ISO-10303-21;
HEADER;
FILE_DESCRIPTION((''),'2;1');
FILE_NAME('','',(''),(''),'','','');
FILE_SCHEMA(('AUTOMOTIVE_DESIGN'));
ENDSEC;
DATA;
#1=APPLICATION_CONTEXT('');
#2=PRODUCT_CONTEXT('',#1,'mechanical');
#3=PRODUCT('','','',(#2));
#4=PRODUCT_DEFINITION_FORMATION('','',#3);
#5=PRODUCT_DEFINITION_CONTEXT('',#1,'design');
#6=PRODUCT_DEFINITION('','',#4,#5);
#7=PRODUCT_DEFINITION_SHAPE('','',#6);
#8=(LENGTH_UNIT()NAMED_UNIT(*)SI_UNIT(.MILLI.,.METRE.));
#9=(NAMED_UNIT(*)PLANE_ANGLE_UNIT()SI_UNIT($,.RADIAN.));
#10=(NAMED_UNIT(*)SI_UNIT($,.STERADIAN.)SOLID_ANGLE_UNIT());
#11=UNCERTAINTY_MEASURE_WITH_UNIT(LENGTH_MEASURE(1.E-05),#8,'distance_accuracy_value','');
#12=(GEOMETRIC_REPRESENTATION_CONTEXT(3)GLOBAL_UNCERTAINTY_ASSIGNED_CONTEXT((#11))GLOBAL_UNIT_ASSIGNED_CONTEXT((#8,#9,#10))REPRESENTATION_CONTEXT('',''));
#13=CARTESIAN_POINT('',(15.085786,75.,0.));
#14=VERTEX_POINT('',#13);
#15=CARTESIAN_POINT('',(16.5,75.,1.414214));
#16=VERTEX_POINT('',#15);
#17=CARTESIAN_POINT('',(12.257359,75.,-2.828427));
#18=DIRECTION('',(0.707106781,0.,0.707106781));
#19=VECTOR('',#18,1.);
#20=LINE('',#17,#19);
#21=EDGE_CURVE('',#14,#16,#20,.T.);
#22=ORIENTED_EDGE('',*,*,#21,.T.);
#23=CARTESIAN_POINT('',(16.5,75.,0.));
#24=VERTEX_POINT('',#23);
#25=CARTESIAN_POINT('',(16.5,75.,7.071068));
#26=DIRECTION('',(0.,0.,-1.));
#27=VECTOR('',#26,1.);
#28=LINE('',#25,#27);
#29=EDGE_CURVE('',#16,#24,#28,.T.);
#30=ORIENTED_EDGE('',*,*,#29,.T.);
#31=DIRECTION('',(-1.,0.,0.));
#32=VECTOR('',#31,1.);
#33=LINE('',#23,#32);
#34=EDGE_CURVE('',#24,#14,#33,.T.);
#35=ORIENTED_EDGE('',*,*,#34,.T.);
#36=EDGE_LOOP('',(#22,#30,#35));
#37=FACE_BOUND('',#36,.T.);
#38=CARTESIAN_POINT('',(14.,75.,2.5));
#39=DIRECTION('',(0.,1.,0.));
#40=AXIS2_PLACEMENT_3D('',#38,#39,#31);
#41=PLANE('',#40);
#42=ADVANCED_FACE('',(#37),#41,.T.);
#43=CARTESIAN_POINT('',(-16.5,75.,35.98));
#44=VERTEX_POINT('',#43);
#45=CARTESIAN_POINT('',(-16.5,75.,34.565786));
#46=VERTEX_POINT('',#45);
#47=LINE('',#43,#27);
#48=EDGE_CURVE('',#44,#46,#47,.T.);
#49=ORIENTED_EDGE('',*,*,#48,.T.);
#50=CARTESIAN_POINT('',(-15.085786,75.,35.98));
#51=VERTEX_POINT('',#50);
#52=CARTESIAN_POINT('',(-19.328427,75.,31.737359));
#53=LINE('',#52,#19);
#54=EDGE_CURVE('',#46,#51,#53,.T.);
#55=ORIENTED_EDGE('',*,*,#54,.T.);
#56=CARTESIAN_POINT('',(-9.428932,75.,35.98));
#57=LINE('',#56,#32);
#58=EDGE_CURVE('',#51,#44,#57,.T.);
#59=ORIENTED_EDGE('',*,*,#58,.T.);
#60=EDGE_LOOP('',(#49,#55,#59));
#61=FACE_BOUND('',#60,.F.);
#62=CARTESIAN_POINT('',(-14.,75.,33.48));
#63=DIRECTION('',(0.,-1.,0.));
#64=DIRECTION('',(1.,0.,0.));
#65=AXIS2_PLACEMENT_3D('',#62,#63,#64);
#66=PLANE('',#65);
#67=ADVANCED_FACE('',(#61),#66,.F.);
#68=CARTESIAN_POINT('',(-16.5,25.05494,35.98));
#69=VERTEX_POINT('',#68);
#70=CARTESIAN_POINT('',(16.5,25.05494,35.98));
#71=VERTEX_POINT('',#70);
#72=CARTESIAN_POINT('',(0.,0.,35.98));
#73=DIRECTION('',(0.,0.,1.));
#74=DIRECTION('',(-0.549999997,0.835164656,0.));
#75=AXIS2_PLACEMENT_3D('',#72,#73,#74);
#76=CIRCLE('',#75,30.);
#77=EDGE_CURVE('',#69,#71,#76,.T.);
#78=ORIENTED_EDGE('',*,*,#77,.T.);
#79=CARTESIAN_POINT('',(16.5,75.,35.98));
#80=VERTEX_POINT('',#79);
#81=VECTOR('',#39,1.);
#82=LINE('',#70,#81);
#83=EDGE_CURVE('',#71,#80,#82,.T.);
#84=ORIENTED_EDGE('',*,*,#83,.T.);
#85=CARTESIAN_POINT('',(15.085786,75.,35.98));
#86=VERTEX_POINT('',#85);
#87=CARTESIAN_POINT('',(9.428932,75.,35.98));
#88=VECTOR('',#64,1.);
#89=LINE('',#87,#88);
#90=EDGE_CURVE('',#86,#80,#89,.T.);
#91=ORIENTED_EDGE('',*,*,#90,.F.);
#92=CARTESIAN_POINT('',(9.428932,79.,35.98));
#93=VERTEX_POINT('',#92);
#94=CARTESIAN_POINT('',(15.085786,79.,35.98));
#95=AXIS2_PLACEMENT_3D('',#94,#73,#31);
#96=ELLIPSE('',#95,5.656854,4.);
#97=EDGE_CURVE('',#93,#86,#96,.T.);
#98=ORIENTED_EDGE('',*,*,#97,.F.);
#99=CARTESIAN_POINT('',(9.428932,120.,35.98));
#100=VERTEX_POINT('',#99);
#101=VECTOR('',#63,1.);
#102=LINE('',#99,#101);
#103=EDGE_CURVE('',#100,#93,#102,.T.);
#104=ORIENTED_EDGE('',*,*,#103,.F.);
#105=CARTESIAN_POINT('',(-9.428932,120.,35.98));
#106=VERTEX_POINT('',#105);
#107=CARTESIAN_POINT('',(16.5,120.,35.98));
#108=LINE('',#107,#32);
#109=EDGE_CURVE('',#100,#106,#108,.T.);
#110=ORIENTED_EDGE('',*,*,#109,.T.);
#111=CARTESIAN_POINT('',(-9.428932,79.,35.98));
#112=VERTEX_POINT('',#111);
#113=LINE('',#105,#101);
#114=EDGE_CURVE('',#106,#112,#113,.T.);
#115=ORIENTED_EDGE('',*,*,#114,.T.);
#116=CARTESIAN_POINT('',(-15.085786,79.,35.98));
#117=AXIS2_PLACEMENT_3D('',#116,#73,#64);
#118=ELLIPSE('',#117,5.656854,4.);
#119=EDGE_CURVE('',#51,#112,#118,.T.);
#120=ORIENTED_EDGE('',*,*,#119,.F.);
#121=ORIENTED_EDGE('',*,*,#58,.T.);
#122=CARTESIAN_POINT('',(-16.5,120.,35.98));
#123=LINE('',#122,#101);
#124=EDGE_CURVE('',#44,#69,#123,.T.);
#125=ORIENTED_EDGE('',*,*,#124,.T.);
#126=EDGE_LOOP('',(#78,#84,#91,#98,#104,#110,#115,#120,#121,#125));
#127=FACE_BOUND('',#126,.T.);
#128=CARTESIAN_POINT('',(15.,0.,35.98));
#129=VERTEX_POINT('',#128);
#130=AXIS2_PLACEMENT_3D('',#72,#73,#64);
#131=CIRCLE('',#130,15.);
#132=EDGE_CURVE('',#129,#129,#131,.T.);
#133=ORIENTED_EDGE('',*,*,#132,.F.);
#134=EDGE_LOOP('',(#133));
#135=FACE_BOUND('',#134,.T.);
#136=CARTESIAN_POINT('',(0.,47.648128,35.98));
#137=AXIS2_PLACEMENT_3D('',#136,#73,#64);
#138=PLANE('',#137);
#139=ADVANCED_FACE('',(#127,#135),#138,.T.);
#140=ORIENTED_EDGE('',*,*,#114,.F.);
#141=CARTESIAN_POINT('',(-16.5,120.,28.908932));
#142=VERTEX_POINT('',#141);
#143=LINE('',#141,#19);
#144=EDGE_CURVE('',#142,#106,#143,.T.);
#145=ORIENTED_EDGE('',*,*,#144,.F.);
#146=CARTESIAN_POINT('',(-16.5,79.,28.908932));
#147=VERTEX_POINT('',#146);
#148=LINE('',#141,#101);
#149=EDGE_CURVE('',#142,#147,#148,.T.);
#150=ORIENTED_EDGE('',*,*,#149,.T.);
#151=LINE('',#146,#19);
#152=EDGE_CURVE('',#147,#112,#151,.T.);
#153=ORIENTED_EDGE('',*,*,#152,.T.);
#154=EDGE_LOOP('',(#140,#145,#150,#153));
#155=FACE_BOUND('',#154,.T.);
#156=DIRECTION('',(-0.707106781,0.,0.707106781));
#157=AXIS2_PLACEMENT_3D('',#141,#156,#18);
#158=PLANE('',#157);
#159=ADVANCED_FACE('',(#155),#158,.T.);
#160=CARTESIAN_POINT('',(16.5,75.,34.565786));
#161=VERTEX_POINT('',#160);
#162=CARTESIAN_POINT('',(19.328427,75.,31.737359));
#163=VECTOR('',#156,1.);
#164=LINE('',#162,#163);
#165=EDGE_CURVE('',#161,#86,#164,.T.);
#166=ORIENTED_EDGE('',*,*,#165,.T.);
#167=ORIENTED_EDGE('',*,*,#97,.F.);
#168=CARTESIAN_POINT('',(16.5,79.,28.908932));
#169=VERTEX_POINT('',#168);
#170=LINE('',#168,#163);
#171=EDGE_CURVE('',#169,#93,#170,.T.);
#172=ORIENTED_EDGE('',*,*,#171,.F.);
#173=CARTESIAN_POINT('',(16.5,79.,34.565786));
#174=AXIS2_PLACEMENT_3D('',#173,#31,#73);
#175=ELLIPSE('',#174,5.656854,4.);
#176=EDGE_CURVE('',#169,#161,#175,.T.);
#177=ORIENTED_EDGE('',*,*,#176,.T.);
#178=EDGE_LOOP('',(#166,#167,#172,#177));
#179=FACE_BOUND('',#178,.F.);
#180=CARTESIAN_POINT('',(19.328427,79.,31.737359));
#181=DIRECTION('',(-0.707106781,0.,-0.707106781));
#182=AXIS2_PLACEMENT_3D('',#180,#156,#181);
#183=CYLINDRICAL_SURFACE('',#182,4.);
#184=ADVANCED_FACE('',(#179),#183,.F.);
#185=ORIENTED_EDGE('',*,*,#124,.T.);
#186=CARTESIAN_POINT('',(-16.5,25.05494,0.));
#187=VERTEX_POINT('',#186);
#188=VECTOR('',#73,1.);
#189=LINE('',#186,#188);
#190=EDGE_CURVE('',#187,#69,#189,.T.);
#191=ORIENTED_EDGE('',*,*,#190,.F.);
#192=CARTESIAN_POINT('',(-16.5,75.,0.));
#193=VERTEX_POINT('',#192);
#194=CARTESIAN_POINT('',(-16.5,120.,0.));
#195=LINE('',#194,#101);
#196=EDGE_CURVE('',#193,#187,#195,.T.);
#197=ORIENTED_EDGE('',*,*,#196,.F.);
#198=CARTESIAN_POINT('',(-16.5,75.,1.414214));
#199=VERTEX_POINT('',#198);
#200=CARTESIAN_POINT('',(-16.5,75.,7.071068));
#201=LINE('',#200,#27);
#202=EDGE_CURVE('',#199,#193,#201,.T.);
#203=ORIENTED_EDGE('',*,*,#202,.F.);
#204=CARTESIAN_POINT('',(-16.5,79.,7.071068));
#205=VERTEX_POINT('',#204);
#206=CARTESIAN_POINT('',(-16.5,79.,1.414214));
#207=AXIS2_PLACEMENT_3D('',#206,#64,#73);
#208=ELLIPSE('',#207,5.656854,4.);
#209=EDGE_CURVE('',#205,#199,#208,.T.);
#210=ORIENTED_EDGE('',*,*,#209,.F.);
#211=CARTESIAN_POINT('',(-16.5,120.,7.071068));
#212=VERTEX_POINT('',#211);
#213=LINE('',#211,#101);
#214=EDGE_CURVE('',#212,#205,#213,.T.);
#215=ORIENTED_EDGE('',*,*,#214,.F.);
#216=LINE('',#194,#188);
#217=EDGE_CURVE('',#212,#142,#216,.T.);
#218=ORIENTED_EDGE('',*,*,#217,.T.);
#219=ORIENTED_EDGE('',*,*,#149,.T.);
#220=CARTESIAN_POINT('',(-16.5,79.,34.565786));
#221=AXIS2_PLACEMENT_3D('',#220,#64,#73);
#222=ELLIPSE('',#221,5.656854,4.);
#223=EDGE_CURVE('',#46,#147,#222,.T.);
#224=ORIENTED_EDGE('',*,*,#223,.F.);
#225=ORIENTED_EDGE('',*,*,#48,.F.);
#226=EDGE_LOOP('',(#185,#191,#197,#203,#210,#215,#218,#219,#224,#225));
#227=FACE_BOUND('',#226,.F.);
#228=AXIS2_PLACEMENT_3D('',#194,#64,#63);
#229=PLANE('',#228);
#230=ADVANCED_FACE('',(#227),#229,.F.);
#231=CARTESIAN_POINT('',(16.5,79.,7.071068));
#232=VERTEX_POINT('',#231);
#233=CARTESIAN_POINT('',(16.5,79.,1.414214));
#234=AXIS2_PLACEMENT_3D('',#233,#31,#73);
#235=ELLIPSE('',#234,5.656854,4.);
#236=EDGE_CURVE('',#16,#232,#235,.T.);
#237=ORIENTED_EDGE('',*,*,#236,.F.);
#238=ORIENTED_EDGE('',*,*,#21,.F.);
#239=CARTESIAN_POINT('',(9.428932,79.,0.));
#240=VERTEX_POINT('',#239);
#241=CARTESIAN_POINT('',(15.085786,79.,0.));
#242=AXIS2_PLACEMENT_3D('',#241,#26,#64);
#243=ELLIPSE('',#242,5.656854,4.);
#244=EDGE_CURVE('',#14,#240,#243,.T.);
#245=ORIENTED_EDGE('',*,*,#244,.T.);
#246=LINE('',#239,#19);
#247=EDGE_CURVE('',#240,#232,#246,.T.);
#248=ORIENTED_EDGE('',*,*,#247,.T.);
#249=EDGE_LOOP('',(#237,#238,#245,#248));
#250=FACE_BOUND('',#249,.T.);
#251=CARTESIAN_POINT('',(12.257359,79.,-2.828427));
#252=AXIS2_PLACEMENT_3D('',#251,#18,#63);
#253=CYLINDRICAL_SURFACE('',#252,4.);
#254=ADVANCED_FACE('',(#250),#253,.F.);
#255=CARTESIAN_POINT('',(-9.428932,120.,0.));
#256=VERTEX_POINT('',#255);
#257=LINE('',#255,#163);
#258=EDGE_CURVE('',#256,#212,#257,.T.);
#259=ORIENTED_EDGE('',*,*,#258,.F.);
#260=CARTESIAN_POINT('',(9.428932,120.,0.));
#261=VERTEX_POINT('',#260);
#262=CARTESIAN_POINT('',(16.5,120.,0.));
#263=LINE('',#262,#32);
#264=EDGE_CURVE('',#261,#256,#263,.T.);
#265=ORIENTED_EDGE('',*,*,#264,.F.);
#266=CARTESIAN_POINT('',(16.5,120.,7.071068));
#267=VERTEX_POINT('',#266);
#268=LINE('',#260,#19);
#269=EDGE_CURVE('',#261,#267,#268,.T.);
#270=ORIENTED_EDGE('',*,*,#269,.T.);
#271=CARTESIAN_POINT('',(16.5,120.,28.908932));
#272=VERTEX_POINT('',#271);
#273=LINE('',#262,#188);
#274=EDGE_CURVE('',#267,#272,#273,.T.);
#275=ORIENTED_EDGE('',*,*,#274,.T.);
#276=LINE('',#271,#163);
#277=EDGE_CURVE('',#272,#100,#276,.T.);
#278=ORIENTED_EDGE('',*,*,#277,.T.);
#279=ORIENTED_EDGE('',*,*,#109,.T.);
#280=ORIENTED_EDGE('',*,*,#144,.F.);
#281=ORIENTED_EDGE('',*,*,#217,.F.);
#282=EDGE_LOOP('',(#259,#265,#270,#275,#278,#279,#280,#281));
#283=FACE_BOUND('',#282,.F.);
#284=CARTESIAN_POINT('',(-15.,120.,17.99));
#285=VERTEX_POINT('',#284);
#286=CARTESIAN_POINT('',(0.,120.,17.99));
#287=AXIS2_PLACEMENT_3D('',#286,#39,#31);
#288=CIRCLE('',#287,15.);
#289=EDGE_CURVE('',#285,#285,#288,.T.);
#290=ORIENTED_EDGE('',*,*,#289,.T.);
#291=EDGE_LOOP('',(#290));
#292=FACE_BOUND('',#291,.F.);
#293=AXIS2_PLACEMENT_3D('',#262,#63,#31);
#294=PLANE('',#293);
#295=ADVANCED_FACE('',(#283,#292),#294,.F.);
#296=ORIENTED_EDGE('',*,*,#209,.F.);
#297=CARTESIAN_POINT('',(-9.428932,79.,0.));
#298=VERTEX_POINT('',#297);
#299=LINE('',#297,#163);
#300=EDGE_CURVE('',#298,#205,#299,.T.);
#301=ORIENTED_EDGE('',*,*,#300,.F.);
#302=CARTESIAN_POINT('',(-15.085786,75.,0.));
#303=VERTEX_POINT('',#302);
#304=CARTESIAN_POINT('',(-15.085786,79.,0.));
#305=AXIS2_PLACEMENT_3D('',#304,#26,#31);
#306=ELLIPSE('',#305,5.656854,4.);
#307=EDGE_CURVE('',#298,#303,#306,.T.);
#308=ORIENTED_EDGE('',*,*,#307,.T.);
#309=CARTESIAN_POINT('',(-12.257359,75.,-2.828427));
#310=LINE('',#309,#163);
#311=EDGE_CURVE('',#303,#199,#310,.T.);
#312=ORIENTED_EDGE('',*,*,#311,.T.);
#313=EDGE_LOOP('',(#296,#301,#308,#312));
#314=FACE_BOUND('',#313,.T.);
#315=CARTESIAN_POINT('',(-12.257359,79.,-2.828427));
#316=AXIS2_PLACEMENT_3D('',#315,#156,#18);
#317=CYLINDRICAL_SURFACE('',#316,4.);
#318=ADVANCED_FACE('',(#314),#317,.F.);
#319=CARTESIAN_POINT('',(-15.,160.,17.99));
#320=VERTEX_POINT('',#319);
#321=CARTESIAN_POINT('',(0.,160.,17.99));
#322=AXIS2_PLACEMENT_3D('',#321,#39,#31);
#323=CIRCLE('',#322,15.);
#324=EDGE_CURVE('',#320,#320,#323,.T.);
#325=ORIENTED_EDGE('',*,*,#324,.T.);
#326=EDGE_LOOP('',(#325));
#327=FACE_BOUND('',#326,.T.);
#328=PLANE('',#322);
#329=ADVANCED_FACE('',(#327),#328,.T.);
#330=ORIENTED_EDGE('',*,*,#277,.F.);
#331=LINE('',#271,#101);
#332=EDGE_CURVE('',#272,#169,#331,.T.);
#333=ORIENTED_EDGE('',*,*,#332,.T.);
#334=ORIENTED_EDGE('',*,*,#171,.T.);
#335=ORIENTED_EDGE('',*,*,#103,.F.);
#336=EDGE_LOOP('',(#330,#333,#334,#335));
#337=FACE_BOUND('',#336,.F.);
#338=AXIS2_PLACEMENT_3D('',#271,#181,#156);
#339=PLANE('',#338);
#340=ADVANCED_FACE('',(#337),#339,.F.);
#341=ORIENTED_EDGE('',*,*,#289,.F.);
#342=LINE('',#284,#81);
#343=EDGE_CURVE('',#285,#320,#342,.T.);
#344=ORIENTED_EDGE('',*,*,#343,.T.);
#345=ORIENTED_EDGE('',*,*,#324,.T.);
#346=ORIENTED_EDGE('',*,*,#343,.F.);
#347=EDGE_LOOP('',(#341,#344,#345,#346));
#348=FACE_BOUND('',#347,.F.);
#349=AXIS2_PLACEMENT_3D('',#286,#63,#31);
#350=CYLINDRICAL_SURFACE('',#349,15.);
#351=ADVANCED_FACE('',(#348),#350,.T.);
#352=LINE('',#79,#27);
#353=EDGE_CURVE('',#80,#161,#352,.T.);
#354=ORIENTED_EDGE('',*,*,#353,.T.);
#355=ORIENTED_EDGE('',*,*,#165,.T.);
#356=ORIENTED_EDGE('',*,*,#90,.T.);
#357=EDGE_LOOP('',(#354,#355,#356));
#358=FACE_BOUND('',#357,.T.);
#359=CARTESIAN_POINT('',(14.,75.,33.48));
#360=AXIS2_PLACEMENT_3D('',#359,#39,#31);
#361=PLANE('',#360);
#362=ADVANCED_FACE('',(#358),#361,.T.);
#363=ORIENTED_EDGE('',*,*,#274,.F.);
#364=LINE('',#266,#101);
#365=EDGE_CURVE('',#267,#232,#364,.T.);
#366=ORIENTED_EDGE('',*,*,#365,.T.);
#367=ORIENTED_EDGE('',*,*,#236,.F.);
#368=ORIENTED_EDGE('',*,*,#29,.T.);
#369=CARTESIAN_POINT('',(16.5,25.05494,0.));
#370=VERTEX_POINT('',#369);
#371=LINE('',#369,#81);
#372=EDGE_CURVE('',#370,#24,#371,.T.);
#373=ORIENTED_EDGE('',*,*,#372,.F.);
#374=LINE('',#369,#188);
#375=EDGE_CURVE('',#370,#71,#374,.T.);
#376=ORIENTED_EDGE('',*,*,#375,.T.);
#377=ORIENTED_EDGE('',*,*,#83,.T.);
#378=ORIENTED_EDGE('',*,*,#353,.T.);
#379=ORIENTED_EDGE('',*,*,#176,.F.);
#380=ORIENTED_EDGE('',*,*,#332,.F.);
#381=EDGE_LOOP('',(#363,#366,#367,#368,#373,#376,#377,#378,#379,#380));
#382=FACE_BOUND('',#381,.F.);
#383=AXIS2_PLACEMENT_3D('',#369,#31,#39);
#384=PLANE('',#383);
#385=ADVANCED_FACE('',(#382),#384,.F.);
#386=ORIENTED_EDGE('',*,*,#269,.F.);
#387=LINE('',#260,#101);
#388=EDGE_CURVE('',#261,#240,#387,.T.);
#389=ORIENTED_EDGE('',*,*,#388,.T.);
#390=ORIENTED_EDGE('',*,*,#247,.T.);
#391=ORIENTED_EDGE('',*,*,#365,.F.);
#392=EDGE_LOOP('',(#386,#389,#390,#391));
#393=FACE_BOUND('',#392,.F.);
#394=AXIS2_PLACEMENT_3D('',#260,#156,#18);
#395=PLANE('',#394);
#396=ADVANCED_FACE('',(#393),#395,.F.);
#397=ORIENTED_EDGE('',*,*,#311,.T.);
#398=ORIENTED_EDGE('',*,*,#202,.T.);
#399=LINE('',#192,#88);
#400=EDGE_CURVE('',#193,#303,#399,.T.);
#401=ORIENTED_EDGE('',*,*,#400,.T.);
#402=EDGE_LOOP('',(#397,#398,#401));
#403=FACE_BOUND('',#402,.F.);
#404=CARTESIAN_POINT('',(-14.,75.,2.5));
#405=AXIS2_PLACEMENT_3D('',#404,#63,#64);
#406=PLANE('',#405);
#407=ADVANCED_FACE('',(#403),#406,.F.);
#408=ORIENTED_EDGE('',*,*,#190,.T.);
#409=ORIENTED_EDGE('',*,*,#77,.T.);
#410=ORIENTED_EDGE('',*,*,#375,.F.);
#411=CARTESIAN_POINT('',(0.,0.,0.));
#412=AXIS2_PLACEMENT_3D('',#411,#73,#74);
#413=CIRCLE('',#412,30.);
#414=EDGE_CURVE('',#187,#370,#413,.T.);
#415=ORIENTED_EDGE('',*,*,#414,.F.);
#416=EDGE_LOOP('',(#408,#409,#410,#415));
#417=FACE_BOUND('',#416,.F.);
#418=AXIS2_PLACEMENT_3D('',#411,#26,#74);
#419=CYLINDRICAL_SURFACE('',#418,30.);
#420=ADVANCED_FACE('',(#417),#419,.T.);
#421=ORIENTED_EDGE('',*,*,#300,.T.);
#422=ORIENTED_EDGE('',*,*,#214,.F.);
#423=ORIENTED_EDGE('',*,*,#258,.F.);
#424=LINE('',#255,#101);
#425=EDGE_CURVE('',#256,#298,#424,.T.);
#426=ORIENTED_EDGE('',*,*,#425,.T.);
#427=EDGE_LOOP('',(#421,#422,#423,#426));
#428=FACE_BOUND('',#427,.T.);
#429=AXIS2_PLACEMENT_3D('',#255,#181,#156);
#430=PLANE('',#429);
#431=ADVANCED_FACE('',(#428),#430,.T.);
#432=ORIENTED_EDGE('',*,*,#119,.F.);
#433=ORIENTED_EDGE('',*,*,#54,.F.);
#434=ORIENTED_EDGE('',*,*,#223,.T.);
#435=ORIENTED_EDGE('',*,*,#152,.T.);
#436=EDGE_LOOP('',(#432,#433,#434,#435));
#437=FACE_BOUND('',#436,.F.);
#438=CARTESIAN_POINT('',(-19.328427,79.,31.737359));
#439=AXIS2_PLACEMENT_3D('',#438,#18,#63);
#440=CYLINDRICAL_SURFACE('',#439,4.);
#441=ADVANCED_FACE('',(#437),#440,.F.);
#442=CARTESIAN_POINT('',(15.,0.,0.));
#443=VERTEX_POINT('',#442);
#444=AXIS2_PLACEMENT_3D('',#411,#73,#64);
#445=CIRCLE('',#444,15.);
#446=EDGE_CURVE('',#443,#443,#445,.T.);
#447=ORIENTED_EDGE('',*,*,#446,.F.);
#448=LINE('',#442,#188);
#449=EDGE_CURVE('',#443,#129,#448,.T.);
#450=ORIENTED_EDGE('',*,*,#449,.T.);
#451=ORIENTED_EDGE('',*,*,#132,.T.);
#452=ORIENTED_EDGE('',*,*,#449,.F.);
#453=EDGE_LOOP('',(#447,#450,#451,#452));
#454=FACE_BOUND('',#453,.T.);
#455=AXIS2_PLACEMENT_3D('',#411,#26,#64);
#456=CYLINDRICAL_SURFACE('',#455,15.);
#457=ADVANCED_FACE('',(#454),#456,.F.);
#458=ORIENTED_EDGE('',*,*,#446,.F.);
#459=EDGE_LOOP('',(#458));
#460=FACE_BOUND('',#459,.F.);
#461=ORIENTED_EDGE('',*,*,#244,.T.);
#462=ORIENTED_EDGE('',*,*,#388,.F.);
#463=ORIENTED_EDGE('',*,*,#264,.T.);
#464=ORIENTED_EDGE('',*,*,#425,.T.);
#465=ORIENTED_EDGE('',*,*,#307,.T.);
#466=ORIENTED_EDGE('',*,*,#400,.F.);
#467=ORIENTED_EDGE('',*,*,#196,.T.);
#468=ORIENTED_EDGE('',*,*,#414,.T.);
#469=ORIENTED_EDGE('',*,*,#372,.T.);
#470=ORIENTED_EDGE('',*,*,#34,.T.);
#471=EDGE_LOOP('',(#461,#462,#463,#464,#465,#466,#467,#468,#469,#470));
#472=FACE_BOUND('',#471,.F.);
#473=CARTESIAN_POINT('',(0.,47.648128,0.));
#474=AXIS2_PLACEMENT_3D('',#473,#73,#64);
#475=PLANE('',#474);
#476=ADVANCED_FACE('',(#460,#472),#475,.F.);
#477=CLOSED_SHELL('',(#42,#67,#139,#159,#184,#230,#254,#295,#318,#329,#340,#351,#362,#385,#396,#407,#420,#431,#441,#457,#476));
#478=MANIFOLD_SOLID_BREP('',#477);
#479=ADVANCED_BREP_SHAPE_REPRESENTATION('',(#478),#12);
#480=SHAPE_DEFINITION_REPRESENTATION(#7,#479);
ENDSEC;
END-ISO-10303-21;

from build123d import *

# Parameters (mm, degrees)
SKETCH_R     = 15
PAD_DEPTH    = 35.98
SKETCH001_R  = 15
PAD001_DEPTH = 40
POCKET_DEPTH = 45
FILLET_R     = 4


with BuildPart() as part:
    # Sketch → Pad (new body)
    with BuildSketch(Plane.XY):
        with BuildLine():
            ThreePointArc((-16.5, 25.05494), (0, -30), (16.5, 25.05494))
            Line((16.5, 25.05494), (16.5, 120))
            Line((16.5, 120), (-16.5, 120))
            Line((-16.5, 120), (-16.5, 25.05494))
        make_face()
        Circle(SKETCH_R, mode=Mode.SUBTRACT)
    extrude(amount=PAD_DEPTH)

    # Sketch001 (on Face3 of Pad) → Pad001 (join)
    with BuildSketch(Plane(origin=(0, 120, 0), x_dir=(-1, 0, 0), z_dir=(0, 1, 0))):
        with Locations((0, 17.99)):
            Circle(SKETCH001_R)
    extrude(amount=PAD001_DEPTH)

    # Sketch002 (on Face6 of Pad001) → Pocket (cut)
    with BuildSketch(Plane(origin=(0, 120, 0), x_dir=(-1, 0, 0), z_dir=(0, 1, 0))):
        Polygon((-16.5, 35.98), (-16.5, 28.908932), (-9.428932, 35.98), align=None)
        Polygon((16.5, 35.98), (16.5, 28.908932), (9.428932, 35.98), align=None)
        Polygon((16.5, 0), (9.428932, 0), (16.5, 7.071068), align=None)
        Polygon((-16.5, 0), (-9.428932, 0), (-16.5, 7.071068), align=None)
    extrude(amount=-POCKET_DEPTH, mode=Mode.SUBTRACT)

    # Fillet
    fillet_edges = [part.edges().sort_by_distance(p)[0] for p in [
        (-12.964466, 75, 3.535534),
        (-12.964466, 75, 32.444466),
        (12.964466, 75, 32.444466),
        (12.964466, 75, 3.535534),
    ]]
    fillet(fillet_edges, radius=FILLET_R)


solid = part.part
